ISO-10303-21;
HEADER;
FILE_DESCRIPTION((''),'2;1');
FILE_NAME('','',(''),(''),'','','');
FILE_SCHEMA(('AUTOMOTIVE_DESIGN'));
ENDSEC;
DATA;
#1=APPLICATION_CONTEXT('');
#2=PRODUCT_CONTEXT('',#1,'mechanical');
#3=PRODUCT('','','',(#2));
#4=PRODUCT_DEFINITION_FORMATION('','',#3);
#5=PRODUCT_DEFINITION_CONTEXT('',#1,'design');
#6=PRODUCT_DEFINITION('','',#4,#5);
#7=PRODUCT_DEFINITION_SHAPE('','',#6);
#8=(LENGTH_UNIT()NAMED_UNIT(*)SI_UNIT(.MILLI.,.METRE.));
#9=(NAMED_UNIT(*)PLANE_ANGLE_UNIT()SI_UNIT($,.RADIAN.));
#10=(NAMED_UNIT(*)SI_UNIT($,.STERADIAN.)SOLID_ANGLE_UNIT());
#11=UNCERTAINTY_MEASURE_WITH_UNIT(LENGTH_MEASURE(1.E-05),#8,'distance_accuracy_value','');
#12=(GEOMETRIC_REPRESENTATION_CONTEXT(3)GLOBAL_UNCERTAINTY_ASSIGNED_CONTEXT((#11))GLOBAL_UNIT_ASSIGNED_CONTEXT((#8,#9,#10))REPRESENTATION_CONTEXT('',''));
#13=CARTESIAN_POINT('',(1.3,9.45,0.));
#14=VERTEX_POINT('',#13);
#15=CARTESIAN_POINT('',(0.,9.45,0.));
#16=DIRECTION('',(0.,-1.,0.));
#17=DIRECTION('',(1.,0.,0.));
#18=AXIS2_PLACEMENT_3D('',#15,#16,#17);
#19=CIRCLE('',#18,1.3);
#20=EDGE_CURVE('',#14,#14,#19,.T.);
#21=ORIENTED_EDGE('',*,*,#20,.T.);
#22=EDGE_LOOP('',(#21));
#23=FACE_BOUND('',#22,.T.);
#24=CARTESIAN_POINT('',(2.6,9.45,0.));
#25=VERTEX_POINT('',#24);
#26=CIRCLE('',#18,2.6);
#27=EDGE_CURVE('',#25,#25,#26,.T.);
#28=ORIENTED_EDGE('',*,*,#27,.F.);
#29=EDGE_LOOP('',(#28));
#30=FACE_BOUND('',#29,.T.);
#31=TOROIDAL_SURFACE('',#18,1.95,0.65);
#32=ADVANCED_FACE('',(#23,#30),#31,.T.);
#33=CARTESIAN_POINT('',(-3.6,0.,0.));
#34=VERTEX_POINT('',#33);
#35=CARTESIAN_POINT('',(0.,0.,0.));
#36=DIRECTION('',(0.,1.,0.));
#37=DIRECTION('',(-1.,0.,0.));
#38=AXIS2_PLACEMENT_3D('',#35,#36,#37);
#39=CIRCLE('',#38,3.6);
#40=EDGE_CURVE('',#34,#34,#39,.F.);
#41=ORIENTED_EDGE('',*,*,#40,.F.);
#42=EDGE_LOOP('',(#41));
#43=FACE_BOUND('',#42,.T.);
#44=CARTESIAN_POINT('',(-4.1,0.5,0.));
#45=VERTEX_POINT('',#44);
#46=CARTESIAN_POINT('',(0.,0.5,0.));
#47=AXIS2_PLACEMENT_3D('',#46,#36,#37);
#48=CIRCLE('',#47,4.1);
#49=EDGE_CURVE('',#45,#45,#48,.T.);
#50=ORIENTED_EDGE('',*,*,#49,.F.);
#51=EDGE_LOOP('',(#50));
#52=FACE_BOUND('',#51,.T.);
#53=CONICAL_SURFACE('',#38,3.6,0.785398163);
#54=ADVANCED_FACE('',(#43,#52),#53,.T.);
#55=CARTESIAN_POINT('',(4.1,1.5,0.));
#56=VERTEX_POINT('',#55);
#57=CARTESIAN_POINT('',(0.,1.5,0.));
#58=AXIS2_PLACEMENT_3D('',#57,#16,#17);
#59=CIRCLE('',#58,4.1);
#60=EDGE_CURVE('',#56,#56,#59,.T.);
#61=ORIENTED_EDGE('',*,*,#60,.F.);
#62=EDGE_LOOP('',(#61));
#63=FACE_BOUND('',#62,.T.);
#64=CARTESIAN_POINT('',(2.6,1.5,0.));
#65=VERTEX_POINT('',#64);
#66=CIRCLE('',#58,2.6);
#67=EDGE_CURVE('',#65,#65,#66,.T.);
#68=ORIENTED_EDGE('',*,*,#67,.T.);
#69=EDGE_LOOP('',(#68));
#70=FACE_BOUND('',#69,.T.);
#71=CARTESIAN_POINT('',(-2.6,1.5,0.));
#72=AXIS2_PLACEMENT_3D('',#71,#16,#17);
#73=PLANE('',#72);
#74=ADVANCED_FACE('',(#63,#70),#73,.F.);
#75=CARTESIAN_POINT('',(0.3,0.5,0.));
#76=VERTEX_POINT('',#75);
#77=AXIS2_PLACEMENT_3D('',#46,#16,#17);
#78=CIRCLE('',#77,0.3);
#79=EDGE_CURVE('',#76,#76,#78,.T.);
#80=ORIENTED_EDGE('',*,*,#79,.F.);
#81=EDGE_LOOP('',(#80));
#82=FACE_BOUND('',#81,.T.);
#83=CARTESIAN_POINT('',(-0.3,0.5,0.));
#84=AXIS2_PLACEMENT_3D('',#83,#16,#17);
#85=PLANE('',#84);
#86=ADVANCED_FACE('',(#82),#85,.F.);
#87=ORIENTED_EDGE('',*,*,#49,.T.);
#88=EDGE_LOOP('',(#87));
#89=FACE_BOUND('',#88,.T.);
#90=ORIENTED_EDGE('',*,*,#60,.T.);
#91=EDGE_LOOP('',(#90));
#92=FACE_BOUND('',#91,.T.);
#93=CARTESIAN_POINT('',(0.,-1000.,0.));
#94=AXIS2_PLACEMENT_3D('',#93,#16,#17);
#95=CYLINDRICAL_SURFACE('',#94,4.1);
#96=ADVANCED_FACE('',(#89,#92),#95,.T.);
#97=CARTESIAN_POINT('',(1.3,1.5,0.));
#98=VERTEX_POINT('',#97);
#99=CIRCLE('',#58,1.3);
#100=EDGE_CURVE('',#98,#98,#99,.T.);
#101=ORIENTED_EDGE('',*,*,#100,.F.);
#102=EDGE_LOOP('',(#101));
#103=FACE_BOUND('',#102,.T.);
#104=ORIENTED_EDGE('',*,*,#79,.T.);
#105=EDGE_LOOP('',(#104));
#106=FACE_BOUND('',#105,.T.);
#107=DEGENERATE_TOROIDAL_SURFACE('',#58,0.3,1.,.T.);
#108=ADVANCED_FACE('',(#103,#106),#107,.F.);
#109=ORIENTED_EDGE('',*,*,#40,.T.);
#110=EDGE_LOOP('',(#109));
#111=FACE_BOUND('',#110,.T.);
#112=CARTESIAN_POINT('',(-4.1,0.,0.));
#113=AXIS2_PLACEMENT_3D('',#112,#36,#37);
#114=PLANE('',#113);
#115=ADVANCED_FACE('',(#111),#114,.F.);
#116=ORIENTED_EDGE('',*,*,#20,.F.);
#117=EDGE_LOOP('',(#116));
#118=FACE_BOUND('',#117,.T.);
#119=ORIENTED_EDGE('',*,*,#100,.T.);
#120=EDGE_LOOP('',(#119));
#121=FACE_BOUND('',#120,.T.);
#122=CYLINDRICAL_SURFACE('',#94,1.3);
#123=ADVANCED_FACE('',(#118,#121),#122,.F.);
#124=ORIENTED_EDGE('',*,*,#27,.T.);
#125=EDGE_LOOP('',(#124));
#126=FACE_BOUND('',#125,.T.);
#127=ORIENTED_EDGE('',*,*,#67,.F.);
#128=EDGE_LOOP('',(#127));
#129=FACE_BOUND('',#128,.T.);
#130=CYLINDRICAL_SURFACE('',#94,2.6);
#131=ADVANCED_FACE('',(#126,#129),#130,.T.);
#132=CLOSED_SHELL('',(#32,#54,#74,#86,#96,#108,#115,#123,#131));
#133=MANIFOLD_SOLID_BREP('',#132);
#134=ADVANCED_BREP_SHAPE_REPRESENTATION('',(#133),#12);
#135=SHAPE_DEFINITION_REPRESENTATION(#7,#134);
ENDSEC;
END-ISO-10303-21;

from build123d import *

# Parameters (mm, degrees)
CHAMFER1_SIZE = 0.5


with BuildPart() as part:
    # Sketch1 → Revolve1 (revolve)
    with BuildSketch(Plane.XY):
        with BuildLine():
            Line((0, 0), (0, 0.5))
            Line((0, 0.5), (-0.3, 0.5))
            ThreePointArc((-0.3, 0.5), (-1.007106781, 0.792893219), (-1.3, 1.5))
            Line((-1.3, 1.5), (-1.3, 9.45))
            ThreePointArc((-1.3, 9.45), (-1.95, 10.1), (-2.6, 9.45))
            Line((-2.6, 9.45), (-2.6, 1.5))
            Line((-2.6, 1.5), (-4.1, 1.5))
            Line((-4.1, 1.5), (-4.1, 0))
            Line((-4.1, 0), (0, 0))
        make_face()
    revolve(axis=Axis((0, -1000, 0), (0, 1, 0)))

    # Chamfer1
    chamfer1_edges = [part.edges().sort_by_distance(p)[0] for p in [
        (4.1, 0, 0),
    ]]
    chamfer(chamfer1_edges, length=CHAMFER1_SIZE)


solid = part.part
